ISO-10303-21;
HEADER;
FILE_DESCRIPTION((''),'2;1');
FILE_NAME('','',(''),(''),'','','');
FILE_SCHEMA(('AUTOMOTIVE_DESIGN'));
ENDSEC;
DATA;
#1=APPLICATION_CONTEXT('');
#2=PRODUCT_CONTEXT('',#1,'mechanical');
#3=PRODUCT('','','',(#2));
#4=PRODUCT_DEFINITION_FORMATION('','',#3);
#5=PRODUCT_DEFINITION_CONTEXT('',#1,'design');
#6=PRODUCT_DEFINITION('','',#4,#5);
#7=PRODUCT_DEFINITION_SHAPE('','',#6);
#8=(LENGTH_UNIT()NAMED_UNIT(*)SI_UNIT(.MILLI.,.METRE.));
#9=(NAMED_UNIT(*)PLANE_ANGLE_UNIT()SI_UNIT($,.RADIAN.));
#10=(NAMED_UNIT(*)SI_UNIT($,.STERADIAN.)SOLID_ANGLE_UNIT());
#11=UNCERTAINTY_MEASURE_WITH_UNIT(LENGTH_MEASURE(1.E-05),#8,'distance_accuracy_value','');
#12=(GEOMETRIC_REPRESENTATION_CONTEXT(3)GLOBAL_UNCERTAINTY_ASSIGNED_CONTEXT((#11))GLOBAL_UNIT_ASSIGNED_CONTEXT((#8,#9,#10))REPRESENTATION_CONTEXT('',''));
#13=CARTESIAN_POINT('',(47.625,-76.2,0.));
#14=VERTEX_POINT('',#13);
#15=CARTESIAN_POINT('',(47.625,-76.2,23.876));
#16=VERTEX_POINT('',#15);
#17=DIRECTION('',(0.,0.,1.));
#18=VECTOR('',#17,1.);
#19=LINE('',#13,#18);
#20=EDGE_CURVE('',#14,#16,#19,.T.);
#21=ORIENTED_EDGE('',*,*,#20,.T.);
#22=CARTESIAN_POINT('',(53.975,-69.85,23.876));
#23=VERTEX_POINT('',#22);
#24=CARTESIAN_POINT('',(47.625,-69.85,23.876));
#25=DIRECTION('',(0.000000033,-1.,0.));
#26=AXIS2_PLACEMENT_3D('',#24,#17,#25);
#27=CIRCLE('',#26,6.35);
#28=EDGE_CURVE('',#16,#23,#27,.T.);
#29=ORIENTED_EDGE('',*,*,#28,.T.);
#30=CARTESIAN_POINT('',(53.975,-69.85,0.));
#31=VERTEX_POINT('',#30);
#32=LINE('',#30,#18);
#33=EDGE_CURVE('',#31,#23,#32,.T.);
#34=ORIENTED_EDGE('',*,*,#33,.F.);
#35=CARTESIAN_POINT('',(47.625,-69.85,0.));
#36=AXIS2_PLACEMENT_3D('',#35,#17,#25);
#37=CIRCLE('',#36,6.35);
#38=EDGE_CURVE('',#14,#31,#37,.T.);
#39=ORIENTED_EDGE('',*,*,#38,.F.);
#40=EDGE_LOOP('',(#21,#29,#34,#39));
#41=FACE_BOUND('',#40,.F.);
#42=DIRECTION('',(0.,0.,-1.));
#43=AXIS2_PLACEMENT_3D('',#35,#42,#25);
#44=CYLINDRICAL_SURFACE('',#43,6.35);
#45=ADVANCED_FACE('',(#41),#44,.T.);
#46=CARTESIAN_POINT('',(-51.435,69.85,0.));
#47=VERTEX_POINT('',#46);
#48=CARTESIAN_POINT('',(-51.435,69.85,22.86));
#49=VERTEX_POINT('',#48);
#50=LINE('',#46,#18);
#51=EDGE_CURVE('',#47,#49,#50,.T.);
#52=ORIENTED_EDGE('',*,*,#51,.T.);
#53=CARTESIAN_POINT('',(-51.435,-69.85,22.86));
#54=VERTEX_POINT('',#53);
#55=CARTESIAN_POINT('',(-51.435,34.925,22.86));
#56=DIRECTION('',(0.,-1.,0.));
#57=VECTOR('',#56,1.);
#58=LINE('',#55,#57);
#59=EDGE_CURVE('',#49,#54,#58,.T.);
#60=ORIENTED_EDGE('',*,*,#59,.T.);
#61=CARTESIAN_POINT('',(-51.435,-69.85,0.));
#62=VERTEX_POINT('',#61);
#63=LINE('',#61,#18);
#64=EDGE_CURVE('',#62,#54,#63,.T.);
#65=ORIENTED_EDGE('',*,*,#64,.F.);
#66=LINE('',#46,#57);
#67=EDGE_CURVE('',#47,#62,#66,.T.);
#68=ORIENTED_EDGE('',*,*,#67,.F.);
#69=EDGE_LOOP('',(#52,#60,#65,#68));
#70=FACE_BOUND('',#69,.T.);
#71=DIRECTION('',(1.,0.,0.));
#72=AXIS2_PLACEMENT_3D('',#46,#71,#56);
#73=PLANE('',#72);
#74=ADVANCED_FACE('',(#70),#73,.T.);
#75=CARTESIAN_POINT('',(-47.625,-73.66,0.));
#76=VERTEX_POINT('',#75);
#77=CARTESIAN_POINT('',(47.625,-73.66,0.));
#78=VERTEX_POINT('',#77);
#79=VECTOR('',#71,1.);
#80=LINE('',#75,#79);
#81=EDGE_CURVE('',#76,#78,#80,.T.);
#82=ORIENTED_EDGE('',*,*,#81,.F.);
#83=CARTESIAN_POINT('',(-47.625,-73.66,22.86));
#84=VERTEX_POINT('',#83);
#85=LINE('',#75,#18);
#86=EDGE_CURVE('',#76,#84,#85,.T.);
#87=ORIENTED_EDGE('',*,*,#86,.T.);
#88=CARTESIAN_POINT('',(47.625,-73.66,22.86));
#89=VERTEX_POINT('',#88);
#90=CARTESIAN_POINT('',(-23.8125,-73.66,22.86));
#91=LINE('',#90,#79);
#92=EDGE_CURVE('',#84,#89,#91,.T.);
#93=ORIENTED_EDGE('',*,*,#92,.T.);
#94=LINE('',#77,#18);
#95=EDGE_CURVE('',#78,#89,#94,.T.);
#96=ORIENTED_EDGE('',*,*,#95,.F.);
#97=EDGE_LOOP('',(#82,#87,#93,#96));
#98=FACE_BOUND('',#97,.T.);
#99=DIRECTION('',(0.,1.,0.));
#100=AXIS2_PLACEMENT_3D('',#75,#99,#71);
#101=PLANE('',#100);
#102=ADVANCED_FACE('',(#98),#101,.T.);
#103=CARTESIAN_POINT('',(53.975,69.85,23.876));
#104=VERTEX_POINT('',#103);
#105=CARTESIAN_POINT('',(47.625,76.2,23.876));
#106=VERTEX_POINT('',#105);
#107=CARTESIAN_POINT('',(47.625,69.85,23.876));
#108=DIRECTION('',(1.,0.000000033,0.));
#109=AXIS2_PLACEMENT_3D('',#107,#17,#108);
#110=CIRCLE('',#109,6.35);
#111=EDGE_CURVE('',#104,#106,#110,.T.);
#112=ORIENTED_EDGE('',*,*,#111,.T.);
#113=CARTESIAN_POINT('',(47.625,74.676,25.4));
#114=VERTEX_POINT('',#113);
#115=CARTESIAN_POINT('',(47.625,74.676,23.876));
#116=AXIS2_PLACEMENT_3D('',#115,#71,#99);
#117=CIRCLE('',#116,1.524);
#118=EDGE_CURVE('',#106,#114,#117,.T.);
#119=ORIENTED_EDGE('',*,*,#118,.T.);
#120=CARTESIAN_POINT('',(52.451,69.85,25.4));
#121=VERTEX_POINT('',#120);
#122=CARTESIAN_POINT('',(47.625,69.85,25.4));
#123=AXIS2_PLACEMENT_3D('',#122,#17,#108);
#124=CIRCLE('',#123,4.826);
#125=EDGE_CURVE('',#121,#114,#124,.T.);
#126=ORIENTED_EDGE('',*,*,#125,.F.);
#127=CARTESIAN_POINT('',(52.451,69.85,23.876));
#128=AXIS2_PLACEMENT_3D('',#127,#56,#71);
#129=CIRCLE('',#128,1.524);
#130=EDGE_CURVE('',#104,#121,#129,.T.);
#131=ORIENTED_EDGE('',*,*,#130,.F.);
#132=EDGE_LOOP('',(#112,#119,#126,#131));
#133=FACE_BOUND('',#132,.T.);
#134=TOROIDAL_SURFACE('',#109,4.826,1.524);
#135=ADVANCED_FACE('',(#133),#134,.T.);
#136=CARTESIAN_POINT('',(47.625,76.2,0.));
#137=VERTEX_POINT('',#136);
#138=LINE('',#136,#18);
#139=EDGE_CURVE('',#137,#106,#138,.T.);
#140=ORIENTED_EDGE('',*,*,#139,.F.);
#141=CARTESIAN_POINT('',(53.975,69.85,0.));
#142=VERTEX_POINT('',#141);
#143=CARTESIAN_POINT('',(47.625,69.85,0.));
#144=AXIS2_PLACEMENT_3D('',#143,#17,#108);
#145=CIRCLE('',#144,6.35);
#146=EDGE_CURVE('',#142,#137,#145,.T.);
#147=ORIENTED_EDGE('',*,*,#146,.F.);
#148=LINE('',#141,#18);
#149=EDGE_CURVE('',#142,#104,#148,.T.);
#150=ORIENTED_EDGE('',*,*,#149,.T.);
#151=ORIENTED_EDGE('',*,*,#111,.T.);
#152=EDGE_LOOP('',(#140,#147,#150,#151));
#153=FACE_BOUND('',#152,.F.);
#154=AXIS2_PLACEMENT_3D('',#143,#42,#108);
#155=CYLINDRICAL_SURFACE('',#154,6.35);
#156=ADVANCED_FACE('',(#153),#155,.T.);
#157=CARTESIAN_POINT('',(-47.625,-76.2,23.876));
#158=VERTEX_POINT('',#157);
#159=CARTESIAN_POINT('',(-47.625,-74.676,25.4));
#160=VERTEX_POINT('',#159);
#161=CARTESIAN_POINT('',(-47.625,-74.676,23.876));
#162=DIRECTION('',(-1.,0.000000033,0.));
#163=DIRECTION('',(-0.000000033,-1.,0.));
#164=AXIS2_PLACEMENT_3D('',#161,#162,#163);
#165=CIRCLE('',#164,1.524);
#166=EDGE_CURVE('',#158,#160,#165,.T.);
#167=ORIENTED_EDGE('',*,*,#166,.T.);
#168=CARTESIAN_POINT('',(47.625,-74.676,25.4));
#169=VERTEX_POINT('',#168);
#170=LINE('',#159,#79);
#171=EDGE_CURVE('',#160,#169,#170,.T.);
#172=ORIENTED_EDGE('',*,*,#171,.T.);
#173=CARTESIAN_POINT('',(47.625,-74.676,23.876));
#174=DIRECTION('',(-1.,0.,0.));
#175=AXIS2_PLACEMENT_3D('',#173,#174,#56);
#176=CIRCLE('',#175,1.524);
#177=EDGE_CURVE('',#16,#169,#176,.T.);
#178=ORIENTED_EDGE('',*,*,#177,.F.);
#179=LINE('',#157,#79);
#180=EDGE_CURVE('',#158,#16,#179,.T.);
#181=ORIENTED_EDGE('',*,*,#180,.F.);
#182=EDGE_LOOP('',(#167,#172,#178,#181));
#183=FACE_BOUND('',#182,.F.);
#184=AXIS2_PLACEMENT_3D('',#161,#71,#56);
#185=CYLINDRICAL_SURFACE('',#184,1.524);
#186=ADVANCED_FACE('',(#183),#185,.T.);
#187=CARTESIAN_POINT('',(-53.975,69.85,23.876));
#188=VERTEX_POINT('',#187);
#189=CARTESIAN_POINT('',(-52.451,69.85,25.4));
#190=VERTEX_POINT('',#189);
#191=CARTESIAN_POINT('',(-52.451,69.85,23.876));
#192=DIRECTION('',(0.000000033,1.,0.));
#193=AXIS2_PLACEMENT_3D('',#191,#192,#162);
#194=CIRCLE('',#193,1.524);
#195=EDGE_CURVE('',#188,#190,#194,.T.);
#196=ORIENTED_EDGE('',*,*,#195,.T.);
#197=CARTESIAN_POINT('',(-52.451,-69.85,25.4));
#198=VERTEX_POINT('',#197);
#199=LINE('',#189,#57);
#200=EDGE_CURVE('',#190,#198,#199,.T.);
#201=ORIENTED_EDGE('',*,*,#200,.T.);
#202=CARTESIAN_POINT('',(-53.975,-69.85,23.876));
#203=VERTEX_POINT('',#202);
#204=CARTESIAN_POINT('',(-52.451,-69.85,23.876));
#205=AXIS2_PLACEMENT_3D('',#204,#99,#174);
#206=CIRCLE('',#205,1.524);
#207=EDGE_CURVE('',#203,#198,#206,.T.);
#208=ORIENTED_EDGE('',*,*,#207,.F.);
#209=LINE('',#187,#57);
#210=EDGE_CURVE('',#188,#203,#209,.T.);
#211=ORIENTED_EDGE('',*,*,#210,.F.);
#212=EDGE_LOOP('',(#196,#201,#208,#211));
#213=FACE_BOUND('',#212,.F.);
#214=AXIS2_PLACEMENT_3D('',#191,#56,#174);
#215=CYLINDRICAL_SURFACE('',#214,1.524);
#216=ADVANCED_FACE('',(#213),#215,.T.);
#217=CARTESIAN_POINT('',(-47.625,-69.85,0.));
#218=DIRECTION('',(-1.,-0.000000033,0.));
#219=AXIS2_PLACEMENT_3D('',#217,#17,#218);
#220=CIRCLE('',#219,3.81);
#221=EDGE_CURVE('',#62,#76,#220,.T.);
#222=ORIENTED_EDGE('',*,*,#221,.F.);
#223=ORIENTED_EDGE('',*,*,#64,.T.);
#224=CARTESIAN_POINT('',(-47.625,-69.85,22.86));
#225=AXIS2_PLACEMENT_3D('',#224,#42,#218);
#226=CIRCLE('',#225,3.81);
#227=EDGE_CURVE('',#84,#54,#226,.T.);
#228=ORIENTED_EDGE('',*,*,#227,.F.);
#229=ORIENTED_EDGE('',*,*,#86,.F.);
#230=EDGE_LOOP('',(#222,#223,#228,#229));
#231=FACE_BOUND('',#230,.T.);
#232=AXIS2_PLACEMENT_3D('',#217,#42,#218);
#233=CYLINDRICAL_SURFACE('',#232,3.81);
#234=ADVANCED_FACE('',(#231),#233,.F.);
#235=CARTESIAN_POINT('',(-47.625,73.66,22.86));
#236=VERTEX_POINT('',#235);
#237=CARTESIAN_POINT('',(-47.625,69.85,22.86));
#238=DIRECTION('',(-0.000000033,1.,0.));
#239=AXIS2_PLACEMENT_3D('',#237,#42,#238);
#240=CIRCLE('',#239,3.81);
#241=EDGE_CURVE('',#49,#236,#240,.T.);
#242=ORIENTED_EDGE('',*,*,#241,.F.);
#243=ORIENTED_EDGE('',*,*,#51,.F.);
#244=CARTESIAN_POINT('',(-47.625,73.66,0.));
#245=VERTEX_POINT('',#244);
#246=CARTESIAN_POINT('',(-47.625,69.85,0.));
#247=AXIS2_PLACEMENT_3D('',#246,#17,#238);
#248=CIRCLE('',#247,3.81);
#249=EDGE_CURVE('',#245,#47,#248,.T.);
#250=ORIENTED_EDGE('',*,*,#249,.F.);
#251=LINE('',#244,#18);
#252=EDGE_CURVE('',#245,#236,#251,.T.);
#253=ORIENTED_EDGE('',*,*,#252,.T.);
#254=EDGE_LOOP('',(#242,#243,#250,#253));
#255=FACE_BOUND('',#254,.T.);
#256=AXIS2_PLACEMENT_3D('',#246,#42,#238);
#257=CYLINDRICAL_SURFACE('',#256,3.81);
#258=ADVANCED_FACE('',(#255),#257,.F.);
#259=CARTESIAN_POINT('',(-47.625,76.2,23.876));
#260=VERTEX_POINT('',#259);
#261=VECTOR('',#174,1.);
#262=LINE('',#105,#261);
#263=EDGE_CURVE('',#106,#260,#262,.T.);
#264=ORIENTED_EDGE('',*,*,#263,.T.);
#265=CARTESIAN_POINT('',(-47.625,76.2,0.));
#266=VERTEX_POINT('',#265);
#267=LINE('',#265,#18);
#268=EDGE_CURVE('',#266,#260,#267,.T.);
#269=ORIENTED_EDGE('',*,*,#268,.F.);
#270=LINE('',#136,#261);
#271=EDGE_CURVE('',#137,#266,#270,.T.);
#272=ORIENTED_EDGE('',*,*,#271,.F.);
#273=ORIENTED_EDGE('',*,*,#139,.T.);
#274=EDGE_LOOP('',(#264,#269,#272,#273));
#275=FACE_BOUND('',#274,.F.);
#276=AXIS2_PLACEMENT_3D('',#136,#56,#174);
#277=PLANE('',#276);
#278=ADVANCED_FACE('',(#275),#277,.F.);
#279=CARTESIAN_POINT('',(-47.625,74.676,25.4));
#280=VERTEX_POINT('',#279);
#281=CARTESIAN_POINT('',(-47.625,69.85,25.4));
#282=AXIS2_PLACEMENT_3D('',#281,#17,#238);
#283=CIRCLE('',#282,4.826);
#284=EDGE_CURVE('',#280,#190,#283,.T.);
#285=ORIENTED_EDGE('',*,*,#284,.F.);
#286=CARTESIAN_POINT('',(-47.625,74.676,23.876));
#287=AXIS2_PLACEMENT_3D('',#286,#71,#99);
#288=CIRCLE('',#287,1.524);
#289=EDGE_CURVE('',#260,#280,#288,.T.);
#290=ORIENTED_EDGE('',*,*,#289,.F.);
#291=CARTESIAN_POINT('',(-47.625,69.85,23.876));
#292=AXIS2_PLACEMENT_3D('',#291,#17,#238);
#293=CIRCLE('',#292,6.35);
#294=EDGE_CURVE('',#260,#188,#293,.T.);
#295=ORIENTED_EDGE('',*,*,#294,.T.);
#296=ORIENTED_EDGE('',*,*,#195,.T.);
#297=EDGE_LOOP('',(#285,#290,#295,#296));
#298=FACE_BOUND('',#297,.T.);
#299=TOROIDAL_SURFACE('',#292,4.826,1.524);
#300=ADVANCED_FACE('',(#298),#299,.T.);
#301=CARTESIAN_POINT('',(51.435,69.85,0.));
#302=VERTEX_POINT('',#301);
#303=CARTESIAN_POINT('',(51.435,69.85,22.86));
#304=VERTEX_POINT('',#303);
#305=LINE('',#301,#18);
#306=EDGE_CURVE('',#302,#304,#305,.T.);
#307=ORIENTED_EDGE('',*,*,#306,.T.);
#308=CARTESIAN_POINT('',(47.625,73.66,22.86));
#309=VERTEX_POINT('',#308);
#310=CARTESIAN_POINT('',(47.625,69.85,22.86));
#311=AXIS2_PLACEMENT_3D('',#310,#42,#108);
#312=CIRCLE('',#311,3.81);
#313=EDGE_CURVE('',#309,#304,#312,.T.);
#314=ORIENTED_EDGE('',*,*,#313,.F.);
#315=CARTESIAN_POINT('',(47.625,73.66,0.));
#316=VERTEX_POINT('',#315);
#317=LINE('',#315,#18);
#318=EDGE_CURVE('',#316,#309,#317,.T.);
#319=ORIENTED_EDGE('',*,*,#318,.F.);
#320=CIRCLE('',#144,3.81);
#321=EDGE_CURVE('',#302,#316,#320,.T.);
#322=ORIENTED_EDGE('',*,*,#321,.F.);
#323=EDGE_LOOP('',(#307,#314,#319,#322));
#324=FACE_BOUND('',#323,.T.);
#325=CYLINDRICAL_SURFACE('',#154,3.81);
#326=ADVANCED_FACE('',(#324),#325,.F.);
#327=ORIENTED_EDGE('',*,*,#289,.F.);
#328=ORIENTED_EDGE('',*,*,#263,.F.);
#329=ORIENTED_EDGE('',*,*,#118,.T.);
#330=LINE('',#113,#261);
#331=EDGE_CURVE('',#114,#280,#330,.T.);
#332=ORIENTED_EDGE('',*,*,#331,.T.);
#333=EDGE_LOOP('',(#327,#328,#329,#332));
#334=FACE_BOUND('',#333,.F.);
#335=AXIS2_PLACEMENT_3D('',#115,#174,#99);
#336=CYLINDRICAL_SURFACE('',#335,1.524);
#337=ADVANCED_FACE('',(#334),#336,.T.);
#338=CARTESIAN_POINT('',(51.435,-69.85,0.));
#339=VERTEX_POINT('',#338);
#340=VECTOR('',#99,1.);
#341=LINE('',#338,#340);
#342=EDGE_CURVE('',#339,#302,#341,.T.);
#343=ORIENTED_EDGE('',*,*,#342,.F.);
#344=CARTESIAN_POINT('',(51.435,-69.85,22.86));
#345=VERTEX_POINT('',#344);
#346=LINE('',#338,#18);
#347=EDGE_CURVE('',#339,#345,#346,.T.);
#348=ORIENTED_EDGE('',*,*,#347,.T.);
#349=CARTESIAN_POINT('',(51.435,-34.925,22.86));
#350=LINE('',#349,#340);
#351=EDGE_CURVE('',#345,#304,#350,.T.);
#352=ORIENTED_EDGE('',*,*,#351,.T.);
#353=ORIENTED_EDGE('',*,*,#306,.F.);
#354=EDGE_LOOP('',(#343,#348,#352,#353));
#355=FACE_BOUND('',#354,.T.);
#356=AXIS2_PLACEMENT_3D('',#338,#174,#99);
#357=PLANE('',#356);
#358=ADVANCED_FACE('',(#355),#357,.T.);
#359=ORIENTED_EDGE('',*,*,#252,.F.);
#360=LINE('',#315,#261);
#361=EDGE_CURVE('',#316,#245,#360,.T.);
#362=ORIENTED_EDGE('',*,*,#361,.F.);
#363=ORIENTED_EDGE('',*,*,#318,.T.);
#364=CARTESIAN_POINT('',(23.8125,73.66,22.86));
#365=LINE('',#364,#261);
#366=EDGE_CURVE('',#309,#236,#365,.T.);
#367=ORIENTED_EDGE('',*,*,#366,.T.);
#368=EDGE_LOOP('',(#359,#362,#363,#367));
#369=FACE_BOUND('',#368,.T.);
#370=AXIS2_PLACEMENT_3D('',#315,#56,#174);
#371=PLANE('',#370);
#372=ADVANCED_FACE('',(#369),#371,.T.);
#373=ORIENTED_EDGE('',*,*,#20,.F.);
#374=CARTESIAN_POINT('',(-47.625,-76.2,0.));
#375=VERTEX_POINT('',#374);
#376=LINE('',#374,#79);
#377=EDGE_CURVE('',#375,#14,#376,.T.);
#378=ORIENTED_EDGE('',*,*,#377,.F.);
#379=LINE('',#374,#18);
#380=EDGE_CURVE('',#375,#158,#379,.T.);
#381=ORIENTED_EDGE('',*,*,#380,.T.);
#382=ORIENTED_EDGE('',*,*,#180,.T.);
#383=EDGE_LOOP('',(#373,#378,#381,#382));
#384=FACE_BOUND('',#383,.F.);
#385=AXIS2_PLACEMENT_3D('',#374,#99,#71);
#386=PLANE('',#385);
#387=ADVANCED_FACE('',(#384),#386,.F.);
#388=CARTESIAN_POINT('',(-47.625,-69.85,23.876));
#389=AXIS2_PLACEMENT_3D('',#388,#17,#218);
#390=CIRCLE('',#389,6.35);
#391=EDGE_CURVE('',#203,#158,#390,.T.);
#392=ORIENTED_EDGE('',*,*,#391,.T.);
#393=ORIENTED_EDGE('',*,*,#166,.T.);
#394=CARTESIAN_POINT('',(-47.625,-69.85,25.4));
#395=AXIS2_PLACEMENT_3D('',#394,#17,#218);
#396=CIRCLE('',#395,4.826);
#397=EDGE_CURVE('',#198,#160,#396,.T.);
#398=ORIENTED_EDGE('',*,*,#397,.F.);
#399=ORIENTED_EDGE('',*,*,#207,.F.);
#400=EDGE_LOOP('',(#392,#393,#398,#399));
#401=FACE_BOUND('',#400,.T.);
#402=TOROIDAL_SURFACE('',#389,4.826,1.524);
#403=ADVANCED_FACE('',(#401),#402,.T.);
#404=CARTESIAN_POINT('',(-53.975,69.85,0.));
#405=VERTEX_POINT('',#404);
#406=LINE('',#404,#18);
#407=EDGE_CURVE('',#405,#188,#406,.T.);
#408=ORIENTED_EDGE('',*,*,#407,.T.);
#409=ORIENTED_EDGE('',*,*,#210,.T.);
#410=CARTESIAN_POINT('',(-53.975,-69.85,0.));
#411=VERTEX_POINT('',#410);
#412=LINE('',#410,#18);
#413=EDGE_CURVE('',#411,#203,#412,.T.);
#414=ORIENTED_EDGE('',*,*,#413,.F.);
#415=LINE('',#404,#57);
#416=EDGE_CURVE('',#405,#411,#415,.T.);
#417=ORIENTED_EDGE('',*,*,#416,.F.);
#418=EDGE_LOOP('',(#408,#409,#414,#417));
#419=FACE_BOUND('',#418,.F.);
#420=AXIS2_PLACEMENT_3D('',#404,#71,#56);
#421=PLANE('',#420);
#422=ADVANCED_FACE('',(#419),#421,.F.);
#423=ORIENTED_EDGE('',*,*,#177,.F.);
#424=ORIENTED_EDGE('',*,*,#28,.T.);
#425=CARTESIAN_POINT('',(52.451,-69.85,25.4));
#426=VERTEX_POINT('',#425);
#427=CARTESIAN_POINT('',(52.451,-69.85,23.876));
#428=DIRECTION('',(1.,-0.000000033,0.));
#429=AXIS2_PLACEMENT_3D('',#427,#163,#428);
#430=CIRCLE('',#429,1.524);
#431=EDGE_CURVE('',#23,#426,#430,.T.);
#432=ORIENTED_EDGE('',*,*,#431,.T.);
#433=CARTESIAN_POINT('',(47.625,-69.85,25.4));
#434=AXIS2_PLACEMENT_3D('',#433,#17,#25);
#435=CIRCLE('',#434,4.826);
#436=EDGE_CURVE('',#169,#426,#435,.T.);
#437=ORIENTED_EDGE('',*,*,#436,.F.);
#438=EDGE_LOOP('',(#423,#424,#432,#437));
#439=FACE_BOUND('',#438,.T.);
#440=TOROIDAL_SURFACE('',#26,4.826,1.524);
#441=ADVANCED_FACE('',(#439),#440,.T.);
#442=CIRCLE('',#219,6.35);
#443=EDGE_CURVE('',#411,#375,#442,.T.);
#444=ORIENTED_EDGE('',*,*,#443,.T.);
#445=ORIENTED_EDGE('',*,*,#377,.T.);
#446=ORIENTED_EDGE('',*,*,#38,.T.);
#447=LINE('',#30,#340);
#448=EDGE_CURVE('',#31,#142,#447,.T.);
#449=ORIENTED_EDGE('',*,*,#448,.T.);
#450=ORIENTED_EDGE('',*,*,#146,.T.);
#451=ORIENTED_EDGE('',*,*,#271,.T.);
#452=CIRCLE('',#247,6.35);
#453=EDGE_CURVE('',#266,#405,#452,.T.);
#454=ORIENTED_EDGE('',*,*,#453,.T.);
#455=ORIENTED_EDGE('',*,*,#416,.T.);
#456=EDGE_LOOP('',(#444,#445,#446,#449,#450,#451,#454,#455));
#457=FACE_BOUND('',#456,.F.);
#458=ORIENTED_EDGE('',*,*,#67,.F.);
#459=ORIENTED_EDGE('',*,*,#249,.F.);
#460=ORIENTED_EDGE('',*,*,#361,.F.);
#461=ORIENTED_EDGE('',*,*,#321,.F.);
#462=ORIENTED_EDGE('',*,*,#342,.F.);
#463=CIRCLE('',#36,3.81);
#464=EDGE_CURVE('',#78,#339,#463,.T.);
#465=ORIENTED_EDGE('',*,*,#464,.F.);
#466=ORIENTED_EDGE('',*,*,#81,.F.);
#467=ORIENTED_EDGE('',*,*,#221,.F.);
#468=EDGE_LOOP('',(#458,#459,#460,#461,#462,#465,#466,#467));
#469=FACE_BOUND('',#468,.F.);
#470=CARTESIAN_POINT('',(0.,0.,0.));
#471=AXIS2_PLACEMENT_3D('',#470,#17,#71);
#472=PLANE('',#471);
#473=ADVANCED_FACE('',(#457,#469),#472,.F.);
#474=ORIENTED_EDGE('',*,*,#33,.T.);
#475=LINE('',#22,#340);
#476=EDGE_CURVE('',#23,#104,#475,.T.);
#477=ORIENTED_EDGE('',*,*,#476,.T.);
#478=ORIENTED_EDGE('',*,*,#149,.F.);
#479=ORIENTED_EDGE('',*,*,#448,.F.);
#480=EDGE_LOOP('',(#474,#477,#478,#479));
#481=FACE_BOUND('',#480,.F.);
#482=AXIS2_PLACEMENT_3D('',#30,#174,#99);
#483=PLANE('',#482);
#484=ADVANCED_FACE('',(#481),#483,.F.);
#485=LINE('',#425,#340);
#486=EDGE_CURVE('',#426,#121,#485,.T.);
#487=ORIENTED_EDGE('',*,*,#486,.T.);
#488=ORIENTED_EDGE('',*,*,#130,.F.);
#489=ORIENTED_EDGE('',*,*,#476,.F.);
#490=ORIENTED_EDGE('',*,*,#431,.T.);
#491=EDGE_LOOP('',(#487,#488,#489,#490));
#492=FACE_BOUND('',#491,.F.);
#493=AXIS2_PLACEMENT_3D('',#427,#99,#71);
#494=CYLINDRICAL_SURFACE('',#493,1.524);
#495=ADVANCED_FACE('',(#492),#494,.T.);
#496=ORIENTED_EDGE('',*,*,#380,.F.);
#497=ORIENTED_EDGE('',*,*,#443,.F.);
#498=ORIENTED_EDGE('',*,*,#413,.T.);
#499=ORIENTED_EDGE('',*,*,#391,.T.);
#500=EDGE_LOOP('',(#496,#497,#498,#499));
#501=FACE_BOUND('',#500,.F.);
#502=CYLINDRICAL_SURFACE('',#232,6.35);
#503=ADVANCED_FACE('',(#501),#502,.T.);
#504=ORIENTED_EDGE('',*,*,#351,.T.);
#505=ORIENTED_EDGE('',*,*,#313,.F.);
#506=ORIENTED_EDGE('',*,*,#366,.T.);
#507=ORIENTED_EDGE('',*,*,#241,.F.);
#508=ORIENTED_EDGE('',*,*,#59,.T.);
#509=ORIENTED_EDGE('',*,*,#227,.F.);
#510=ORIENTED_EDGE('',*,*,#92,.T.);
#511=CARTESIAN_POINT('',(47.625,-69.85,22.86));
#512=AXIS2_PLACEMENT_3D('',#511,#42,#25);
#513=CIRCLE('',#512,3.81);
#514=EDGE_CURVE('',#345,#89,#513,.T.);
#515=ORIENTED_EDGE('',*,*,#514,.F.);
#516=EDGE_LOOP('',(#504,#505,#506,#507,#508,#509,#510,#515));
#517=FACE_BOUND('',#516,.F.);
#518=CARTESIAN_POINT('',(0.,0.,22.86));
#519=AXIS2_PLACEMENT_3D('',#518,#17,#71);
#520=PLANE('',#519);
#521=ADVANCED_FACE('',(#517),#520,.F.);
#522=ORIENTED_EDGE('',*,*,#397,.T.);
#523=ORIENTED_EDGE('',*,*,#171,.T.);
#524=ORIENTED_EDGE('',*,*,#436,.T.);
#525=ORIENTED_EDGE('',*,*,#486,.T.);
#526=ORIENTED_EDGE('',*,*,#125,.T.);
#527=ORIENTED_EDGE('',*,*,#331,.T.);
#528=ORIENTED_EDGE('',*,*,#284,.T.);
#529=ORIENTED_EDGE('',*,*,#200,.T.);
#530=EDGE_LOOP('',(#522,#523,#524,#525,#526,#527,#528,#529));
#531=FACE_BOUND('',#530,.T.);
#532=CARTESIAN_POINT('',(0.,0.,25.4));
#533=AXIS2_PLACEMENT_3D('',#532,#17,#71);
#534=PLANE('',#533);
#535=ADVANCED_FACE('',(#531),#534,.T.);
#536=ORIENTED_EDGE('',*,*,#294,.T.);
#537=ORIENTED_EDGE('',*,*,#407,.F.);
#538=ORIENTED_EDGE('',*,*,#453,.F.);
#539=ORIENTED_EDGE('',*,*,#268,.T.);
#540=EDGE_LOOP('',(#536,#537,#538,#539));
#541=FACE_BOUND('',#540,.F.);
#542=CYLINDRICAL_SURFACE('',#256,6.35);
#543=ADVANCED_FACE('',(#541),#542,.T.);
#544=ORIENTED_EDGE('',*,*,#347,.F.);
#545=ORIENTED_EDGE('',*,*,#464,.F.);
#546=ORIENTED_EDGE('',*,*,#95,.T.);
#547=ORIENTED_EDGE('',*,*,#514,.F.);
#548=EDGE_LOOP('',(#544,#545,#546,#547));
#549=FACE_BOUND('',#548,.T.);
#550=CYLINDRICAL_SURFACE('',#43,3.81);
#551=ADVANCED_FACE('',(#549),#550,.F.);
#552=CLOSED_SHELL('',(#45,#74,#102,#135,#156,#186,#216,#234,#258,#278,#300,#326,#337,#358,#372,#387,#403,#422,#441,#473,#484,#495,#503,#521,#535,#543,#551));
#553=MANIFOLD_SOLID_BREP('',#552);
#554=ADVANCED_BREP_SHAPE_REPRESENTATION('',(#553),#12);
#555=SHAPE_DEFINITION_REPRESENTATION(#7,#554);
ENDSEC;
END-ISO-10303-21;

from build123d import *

# Parameters (mm, degrees)
F1_DEPTH = 25.4
F2_R     = 1.524
F3_T     = -2.54


with BuildPart() as f1:
    # F0 (on Top) → F1 (new body)
    with BuildSketch(Plane.XY):
        with BuildLine():
            Line((47.625, 76.2), (-47.625, 76.2))
            ThreePointArc((-47.625, 76.2), (-52.115128, 74.340128), (-53.975, 69.85))
            Line((-53.975, 69.85), (-53.975, -69.85))
            ThreePointArc((-53.975, -69.85), (-52.115128, -74.340128), (-47.625, -76.2))
            Line((-47.625, -76.2), (47.625, -76.2))
            ThreePointArc((47.625, -76.2), (52.115128, -74.340128), (53.975, -69.85))
            Line((53.975, -69.85), (53.975, 69.85))
            ThreePointArc((53.975, 69.85), (52.115128, 74.340128), (47.625, 76.2))
        make_face()
    extrude(amount=F1_DEPTH)

    # F2
    f2_edges = [f1.edges().sort_by_distance(p)[0] for p in [
        (0, 76.2, 25.4),
    ]]
    fillet(f2_edges, radius=F2_R)

    # F3
    f3_openings = [f1.faces().sort_by_distance(p)[0] for p in [
        (0, 0, 0),
    ]]
    offset(amount=F3_T, openings=f3_openings)


solid = f1.part
